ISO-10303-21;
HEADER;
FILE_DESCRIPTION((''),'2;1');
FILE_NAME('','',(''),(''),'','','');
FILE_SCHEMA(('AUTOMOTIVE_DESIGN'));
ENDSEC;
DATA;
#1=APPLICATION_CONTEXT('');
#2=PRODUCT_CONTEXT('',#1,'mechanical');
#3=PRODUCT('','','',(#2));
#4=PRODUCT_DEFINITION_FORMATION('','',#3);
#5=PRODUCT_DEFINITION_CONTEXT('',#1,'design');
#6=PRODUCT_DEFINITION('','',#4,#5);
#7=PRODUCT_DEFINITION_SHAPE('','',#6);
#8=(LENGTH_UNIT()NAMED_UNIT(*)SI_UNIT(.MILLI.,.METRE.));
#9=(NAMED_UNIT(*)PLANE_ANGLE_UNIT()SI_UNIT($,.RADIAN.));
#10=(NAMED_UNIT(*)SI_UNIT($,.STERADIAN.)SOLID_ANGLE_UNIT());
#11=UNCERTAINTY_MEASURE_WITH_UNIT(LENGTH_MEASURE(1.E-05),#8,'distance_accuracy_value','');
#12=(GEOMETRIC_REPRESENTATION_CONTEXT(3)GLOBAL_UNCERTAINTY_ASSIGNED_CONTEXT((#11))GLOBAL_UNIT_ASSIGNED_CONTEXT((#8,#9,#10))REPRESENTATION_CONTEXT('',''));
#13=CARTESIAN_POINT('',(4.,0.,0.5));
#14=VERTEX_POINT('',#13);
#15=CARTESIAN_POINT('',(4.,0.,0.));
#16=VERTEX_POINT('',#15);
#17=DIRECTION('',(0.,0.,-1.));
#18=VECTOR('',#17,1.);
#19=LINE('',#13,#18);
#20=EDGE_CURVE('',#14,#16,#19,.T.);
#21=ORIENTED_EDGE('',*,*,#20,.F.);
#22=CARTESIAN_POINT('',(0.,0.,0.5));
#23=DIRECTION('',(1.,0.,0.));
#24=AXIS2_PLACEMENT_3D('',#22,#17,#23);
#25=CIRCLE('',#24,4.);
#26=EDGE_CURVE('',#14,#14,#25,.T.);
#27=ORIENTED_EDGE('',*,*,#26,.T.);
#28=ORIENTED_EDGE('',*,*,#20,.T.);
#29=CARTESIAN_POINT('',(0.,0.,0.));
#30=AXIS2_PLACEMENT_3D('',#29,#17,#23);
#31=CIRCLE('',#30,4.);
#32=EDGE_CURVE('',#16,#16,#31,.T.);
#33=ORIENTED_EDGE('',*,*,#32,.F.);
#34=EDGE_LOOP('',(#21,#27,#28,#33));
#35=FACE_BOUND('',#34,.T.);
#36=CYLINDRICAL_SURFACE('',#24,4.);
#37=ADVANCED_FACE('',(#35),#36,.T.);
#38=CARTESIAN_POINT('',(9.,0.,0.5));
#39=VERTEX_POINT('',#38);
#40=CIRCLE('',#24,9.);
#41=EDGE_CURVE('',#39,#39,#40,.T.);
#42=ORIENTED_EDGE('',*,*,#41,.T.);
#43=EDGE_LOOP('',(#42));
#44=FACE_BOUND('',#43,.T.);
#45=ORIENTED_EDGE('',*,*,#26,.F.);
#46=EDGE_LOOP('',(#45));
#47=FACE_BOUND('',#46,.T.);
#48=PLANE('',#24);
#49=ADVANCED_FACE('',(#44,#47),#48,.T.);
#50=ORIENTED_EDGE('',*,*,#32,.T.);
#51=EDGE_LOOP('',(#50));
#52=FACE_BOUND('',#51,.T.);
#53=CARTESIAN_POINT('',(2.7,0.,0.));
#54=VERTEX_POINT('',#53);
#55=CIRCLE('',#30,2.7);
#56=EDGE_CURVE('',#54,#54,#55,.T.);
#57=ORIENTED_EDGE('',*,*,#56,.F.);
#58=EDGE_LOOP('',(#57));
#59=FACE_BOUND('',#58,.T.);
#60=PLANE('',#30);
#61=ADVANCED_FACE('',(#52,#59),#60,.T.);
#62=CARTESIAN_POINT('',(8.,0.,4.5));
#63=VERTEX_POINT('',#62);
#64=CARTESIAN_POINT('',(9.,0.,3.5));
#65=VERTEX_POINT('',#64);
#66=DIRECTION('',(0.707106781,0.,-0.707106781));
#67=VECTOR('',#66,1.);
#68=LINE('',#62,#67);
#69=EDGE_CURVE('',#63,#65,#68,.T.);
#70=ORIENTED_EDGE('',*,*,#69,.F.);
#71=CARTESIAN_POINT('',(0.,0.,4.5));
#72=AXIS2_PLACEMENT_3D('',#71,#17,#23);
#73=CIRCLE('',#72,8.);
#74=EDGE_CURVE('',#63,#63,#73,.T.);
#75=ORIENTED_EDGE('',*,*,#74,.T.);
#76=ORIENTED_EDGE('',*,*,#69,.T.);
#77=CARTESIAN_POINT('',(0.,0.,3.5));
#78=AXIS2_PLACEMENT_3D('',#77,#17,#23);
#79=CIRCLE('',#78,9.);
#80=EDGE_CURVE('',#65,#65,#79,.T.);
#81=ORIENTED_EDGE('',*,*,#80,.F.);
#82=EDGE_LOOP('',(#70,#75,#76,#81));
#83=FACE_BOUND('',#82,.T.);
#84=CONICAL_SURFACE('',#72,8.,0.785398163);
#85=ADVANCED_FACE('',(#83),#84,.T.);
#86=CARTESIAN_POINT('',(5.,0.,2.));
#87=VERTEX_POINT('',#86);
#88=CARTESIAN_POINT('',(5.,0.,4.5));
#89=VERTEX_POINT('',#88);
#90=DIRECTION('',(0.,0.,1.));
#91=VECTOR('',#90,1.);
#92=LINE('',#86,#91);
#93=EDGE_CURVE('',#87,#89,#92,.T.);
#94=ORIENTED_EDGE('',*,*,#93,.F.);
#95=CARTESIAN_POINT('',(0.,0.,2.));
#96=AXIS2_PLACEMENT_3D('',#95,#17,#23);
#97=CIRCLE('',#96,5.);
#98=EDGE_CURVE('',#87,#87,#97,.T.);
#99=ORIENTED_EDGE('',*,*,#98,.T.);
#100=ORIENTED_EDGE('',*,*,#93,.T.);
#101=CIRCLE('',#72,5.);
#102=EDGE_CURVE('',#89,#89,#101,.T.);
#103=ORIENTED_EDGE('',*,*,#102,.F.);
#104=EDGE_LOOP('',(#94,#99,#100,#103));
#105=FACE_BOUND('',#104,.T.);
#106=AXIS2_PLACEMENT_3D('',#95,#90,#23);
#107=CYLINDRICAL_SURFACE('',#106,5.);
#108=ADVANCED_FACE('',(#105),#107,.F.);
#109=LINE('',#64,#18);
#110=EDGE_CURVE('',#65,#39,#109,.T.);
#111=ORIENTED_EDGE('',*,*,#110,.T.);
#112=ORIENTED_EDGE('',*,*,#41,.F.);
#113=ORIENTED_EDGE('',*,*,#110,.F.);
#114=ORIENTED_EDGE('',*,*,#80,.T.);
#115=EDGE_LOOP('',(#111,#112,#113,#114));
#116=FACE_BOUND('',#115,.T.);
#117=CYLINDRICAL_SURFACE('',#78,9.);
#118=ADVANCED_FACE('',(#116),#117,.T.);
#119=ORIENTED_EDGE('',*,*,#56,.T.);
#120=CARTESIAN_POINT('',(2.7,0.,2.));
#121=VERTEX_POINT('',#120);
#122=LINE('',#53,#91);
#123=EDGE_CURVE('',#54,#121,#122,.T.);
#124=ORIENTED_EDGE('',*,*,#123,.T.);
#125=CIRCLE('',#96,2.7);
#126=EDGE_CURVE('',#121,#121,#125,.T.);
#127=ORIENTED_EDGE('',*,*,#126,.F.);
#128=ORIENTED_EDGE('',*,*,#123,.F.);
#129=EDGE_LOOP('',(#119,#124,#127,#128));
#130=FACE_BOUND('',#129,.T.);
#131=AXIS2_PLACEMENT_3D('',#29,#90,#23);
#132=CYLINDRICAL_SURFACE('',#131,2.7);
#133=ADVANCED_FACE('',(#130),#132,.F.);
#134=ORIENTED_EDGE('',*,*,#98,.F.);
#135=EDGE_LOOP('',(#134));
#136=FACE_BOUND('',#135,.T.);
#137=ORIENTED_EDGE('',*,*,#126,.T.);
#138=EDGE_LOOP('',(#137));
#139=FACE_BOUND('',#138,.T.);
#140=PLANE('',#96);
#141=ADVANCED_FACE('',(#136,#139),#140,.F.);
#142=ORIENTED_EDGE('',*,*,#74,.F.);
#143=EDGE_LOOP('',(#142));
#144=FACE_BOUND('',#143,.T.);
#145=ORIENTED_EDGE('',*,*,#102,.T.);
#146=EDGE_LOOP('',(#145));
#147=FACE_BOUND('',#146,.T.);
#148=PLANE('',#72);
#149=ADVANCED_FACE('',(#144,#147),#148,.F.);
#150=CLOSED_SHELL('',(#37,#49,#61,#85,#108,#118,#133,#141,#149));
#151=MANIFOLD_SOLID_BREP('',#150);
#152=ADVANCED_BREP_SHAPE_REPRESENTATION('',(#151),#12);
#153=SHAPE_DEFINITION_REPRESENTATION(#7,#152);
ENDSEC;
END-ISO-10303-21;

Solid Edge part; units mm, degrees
sketch "Sketch1" plane through (0, 0, 0) normal (0, -1, 0) x (1, 0, 0)
  line L0 (2.7, 0) -> (2.7, 2)
  line L1 (2.7, 2) -> (5, 2)
  line L2 (5, 2) -> (5, 4.5)
  line L3 (5, 4.5) -> (8, 4.5)
  line L4 (8, 4.5) -> (9, 3.5)
  line L5 (9, 3.5) -> (9, 0.5)
  line L6 (9, 0.5) -> (4, 0.5)
  line L7 (4, 0.5) -> (4, 0)
  line L8 (4, 0) -> (2.7, 0)
  dimension "D1" = 1
  dimension "D2" = 0.5
  dimension "D3" = 3
  dimension "D4" = 1
  dimension "D5" = 2
revolve "RevolvedProtrusion1" add sketch "Sketch1" angle 360 about axis through (0, 0, 54) along (0, 0, -1)
properties material "Polyethylene, low density"
